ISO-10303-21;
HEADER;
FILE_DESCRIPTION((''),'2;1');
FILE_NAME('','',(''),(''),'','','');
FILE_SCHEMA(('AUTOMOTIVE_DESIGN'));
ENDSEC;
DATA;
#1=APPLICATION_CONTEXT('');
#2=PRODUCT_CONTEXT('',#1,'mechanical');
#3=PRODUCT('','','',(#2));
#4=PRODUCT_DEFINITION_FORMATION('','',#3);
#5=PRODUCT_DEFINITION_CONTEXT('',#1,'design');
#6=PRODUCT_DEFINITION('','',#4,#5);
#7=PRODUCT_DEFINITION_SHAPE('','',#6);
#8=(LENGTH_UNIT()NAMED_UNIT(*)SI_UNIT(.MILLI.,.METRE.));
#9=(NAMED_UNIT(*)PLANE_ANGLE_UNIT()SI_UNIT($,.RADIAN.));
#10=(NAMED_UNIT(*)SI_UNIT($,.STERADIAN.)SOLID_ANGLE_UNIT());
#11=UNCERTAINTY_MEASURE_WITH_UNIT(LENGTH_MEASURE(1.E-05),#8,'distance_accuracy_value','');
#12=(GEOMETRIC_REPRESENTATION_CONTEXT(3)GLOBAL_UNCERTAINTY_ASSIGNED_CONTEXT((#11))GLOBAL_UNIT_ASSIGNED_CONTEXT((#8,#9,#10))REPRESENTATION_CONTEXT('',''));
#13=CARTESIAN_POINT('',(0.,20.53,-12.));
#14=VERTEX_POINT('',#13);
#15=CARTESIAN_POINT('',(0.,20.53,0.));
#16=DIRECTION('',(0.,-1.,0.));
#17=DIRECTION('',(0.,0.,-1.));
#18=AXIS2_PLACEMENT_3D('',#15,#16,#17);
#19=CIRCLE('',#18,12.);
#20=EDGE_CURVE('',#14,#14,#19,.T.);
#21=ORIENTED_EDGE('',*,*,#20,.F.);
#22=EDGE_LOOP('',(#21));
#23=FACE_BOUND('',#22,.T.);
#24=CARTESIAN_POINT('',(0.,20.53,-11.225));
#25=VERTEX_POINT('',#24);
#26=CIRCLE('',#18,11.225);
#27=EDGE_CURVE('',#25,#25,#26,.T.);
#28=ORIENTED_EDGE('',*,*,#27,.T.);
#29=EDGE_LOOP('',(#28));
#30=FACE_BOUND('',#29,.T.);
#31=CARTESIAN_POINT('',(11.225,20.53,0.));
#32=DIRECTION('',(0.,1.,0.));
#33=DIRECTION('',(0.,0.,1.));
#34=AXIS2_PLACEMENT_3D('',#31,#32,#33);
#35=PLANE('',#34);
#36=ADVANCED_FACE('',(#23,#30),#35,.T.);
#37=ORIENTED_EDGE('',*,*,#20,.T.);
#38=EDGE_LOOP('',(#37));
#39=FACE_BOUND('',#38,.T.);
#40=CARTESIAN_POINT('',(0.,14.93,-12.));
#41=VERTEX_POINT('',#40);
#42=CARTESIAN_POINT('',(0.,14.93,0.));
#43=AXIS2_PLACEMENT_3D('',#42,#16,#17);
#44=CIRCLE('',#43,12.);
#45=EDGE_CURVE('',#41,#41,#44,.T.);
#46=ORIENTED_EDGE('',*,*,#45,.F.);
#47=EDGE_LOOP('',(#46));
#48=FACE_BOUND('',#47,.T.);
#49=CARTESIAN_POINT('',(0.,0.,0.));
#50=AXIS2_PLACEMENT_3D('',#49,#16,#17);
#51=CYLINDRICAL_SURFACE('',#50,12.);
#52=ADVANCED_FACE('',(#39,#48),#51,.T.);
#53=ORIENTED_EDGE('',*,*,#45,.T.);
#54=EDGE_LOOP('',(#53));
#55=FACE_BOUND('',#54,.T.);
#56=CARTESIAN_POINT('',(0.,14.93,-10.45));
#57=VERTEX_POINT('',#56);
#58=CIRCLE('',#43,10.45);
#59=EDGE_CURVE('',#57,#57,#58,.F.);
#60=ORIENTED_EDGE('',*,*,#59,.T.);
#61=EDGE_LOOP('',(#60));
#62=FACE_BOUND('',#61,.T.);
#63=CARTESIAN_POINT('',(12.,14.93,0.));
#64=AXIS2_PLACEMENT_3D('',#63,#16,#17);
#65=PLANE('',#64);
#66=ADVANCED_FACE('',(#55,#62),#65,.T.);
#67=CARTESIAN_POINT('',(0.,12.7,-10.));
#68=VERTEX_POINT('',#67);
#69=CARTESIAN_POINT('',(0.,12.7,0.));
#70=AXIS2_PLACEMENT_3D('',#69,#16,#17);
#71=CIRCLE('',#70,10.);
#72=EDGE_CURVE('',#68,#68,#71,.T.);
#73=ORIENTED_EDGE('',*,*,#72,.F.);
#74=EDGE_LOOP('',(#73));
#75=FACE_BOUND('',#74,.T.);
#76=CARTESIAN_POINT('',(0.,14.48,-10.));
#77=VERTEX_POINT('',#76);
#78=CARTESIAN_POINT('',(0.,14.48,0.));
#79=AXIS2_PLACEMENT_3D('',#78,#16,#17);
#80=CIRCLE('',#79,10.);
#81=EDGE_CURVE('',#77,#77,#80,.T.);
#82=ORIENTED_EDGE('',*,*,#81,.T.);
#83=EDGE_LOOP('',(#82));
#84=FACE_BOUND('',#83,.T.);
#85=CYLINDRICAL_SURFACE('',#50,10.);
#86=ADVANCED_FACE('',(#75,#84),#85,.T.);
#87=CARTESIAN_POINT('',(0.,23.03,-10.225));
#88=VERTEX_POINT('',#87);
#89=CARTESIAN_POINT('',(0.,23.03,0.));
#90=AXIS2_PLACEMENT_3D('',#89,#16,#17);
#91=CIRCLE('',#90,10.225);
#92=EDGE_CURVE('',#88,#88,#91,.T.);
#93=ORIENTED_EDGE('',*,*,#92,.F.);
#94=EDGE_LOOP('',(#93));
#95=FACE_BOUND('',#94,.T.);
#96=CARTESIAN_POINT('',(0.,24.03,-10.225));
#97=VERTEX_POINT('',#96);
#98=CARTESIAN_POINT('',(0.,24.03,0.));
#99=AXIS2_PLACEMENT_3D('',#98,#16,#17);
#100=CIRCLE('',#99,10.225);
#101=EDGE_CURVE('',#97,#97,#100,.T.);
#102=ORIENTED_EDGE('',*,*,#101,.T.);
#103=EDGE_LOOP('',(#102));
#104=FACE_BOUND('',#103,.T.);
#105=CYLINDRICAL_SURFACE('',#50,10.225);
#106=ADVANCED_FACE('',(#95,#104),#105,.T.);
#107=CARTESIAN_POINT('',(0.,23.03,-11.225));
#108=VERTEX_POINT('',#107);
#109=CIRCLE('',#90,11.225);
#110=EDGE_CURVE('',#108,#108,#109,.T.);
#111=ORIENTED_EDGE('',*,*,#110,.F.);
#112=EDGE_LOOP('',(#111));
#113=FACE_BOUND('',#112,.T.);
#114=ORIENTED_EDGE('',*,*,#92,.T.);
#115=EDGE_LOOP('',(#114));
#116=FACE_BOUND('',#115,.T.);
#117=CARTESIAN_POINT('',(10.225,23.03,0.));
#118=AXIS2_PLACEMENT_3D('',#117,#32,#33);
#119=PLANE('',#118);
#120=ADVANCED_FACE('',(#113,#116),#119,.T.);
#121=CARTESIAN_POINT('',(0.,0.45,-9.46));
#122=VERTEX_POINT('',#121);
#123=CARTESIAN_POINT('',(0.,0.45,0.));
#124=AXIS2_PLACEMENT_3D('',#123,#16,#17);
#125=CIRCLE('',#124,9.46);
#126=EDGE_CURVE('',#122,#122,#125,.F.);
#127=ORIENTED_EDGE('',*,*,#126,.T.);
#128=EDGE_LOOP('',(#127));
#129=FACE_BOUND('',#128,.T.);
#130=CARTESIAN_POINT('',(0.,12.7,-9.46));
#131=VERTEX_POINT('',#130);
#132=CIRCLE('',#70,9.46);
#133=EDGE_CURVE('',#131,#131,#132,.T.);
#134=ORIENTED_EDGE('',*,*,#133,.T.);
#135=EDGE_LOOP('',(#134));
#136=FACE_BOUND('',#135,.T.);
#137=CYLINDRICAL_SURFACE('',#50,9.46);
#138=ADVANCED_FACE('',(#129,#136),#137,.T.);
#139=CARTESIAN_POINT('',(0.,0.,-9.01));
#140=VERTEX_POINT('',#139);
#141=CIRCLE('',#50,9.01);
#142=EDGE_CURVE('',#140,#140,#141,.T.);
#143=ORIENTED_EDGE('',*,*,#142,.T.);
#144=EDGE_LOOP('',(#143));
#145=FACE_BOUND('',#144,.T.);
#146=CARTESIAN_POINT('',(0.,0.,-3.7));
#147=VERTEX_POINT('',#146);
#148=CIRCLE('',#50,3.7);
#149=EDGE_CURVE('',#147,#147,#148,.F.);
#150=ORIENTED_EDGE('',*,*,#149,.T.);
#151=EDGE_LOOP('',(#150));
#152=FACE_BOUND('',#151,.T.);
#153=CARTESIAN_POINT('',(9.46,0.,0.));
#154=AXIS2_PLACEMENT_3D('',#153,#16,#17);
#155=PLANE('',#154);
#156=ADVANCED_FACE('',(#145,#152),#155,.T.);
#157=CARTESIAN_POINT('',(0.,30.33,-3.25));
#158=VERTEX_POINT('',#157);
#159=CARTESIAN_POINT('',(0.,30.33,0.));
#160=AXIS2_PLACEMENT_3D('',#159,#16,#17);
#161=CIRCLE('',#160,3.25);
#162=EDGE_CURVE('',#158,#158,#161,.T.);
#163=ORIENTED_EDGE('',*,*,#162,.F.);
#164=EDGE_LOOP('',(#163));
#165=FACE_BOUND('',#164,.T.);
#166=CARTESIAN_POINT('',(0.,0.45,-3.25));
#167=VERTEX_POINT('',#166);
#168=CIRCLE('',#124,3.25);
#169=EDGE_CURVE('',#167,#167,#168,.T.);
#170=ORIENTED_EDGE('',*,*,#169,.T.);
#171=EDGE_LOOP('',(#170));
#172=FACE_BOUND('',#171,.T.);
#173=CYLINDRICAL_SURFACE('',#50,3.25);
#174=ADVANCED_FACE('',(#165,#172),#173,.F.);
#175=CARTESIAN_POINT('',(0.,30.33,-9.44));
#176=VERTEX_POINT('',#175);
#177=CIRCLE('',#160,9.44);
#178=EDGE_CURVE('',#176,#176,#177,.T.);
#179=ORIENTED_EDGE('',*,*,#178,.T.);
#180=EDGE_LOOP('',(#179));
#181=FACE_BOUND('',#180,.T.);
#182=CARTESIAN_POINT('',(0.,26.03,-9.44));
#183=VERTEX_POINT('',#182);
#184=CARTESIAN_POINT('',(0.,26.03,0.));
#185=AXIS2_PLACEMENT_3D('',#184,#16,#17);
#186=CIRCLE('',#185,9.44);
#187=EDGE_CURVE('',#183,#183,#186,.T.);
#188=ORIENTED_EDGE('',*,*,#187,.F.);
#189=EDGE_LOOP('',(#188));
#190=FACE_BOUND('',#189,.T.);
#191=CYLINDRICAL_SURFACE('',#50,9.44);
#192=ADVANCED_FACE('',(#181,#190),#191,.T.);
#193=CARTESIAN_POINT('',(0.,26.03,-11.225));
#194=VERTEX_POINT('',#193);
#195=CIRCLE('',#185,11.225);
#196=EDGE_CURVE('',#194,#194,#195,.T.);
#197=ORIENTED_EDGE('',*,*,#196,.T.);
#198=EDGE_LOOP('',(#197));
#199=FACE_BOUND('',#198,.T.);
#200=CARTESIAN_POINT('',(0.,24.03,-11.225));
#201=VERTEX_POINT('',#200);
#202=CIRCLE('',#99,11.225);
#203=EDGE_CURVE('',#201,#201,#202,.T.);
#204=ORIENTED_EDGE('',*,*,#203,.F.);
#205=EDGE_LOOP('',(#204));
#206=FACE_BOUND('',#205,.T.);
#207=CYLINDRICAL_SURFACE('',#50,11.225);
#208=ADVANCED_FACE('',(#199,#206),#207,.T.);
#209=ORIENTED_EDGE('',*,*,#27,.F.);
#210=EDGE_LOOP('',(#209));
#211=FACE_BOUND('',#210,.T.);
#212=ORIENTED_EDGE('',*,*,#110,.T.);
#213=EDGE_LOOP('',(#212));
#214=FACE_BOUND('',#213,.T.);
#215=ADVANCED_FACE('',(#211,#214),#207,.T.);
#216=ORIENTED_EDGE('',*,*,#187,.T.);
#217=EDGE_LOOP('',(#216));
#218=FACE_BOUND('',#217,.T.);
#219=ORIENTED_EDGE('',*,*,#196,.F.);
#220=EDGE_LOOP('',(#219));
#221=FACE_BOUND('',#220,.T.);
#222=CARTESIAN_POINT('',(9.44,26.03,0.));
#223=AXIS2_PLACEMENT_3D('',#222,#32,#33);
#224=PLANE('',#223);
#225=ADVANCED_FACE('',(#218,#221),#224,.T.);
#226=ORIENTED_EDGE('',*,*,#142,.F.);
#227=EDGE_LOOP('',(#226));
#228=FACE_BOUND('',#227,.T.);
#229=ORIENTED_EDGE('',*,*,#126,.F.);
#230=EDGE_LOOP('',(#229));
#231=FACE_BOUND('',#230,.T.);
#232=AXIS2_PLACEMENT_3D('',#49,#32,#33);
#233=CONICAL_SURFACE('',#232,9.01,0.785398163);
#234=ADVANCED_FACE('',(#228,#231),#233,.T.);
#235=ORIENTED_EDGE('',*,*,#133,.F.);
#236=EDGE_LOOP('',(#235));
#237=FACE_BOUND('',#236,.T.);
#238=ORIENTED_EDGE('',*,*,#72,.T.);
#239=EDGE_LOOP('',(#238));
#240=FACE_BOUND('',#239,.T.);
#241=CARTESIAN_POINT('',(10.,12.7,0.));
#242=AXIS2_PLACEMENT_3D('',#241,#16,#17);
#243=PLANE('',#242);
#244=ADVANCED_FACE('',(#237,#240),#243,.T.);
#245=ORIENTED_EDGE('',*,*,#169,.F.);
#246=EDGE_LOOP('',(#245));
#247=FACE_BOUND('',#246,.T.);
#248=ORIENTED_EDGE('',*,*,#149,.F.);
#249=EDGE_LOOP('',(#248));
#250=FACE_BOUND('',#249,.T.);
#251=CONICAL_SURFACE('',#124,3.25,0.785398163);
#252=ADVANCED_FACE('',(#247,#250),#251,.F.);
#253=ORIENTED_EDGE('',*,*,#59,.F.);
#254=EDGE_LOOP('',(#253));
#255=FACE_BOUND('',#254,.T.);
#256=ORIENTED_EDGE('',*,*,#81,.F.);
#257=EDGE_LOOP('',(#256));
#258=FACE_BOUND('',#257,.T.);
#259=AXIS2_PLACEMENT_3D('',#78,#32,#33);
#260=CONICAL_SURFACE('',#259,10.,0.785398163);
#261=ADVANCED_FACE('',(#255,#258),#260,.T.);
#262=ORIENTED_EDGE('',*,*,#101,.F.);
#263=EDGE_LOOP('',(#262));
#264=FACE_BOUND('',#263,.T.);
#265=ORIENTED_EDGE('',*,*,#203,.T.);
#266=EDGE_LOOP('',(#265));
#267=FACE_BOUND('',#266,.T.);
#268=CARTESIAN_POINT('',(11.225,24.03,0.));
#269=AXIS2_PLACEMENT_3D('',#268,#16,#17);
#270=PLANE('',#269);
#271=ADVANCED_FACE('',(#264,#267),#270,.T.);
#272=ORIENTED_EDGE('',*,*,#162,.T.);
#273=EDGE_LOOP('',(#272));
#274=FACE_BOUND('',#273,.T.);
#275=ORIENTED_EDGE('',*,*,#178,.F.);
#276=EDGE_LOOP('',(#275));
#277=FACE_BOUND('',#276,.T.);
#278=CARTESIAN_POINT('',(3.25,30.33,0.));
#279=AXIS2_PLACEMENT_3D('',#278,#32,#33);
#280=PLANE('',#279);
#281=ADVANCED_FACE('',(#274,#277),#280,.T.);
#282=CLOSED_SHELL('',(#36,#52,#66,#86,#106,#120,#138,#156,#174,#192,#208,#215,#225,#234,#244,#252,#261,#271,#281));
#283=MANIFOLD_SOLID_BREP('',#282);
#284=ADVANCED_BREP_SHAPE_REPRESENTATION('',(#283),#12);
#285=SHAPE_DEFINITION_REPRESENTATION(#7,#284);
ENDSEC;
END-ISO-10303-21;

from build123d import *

# Parameters (mm, degrees)
CHAMFER1_SIZE = 0.45


with BuildPart() as part:
    # Sketch1 → Revolve1 (revolve)
    with BuildSketch(Plane.XY):
        Polygon((3.25, 0), (3.25, 30.33), (9.44, 30.33), (9.44, 26.03), (11.225, 26.03), (11.225, 24.03), (10.225, 24.03), (10.225, 23.03), (11.225, 23.03), (11.225, 20.53), (12, 20.53), (12, 14.93), (10, 14.93), (10, 12.7), (9.46, 12.7), (9.46, 0), align=None)
    revolve(axis=Axis((0, 0, 0), (0, 1, 0)))

    # Chamfer1
    chamfer1_edges = [part.edges().sort_by_distance(p)[0] for p in [
        (-9.46, 0, 0),
        (-10, 14.93, 0),
        (-3.25, 0, 0),
    ]]
    chamfer(chamfer1_edges, length=CHAMFER1_SIZE)


solid = part.part
